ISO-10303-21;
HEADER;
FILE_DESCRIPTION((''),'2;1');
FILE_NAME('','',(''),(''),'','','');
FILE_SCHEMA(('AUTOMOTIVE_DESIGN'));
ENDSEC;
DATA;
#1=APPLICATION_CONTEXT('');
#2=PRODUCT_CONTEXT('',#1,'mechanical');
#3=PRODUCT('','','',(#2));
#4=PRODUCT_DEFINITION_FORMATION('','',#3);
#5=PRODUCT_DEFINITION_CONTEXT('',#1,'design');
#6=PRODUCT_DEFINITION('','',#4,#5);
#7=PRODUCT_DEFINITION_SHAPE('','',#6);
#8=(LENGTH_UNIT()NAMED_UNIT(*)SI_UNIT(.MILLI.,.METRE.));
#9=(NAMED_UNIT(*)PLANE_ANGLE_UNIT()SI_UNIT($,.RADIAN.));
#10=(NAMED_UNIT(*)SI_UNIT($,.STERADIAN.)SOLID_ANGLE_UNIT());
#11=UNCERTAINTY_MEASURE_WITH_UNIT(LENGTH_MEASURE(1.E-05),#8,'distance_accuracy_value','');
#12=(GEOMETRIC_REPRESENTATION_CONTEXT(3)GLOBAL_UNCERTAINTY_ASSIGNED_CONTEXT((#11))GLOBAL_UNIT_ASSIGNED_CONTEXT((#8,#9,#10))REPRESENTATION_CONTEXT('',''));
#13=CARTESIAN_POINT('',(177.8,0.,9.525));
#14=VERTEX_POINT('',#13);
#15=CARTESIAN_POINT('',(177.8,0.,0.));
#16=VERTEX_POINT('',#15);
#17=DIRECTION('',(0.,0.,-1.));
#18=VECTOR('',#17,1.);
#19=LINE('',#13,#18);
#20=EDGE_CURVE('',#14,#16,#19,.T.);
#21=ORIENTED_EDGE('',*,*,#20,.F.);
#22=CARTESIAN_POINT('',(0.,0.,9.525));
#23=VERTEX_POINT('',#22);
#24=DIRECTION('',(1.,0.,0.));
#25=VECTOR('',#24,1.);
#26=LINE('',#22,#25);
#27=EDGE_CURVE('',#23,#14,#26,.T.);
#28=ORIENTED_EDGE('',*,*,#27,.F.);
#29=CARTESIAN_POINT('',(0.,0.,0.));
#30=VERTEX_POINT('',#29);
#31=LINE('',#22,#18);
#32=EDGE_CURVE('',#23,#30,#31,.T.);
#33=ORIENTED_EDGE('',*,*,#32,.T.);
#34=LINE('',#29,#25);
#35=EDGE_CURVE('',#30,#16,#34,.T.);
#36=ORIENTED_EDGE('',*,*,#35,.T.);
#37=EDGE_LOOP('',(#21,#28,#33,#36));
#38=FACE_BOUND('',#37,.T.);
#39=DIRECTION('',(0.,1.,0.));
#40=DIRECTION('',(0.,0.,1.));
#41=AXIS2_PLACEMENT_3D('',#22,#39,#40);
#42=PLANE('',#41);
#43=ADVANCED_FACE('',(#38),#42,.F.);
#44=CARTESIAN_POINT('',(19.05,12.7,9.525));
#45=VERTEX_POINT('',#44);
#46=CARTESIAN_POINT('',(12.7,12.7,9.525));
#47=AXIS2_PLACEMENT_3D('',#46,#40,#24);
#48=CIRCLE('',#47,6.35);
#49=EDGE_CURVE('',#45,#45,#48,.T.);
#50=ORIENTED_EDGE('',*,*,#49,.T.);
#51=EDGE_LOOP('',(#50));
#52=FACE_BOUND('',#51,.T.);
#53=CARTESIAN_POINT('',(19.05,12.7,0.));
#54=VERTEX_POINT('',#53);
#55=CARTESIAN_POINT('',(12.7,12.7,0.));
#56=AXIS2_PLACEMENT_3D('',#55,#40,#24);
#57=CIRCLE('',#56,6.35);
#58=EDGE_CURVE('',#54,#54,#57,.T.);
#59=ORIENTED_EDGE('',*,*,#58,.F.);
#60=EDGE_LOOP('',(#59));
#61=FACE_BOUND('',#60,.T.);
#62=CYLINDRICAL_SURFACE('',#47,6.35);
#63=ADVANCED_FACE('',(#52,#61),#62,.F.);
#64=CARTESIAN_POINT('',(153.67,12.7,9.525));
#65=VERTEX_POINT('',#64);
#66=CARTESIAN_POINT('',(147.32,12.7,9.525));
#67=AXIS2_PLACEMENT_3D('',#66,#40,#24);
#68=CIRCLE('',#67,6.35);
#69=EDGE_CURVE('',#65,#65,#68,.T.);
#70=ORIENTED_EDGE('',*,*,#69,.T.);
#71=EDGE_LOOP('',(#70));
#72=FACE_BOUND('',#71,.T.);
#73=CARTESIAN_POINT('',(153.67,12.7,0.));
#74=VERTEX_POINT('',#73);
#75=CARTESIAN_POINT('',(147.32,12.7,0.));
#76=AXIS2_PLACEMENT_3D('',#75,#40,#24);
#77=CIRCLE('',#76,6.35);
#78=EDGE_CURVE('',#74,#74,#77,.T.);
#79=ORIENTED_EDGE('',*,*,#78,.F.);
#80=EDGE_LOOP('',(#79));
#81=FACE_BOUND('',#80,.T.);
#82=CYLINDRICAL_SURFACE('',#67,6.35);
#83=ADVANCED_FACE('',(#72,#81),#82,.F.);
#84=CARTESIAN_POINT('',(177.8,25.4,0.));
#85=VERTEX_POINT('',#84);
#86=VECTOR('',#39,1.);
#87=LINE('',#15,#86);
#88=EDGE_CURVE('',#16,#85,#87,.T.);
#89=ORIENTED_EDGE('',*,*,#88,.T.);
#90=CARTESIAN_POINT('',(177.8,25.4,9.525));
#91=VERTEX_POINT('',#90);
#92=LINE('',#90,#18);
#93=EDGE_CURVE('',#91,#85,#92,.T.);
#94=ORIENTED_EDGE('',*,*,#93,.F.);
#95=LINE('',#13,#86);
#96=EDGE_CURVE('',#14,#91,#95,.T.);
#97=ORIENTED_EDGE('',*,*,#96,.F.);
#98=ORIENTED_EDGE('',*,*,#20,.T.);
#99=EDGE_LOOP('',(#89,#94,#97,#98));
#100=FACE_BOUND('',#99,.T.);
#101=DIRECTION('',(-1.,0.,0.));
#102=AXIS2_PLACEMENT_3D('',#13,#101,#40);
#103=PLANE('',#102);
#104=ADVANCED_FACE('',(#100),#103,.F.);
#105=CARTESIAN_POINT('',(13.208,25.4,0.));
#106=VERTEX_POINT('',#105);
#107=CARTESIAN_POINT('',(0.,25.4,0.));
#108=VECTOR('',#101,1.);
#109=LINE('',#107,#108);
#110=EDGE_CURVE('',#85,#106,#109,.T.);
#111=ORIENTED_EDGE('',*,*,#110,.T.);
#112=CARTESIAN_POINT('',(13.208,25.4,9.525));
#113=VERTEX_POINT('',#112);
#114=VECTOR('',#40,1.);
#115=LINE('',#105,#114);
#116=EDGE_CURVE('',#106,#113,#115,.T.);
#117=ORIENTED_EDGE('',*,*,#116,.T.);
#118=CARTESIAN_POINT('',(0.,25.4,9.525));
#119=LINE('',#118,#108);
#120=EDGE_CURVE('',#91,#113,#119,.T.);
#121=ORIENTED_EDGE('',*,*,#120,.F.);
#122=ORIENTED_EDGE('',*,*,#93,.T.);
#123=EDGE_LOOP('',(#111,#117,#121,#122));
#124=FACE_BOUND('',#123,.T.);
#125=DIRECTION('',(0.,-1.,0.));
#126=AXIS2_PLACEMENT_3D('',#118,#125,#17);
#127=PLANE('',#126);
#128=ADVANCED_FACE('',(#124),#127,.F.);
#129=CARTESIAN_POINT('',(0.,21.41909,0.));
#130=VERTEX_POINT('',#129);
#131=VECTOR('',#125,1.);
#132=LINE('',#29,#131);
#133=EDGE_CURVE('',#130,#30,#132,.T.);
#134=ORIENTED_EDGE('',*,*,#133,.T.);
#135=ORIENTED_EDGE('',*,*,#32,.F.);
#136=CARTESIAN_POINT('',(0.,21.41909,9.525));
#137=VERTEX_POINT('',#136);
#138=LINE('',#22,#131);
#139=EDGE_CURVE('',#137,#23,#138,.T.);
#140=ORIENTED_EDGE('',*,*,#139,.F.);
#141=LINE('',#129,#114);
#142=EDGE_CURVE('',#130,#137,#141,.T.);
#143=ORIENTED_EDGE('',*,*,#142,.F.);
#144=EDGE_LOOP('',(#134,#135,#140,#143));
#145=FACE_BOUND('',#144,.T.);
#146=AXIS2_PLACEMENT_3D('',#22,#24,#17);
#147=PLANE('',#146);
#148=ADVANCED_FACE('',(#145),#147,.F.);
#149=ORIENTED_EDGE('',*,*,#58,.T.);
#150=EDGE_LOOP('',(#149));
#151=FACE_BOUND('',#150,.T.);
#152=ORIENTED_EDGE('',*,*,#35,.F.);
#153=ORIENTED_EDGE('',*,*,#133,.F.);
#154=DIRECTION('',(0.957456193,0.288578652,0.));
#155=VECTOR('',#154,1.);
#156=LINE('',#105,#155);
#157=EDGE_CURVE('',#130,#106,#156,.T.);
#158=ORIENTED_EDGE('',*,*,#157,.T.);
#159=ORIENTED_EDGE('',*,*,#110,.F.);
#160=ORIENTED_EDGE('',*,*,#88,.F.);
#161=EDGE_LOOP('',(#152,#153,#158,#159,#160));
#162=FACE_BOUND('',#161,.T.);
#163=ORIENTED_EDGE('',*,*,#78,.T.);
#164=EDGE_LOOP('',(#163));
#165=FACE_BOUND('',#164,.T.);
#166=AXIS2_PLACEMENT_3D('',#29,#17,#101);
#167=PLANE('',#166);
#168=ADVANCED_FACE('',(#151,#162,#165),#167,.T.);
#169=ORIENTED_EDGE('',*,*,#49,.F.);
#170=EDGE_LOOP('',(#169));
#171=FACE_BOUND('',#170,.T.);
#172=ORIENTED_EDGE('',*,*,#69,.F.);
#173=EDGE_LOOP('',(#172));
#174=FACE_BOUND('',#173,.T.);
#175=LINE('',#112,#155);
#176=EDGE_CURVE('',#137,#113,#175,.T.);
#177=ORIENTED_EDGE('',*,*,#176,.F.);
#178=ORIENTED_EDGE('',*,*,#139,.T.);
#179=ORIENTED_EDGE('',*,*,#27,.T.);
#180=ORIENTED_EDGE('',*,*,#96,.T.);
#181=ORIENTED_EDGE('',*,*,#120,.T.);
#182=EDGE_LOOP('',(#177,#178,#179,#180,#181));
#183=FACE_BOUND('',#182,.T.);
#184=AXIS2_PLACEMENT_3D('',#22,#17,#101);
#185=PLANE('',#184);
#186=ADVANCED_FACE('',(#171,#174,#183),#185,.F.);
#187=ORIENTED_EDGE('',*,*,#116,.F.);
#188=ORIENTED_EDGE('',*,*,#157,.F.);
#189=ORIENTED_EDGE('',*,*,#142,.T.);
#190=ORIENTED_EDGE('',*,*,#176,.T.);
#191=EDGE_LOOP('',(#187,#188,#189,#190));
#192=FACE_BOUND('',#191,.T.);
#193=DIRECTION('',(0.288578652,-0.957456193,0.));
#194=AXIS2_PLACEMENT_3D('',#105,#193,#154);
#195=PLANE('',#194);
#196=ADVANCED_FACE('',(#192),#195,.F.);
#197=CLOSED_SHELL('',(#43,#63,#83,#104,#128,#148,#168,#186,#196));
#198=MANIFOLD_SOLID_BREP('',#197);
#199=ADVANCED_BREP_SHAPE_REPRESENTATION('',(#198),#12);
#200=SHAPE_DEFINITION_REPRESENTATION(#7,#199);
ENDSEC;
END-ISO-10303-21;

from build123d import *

# Parameters (mm, degrees)
SKETCH1_W                  = 177.8
SKETCH1_H                  = 25.4
BOSS_EXTRUDE1_DEPTH        = 9.525
F_1_2_0_5_DIAMETER_HOLE1_D = 12.7
CUT_EXTRUDE1_DEPTH         = 180.857514786


with BuildPart() as part:
    # Sketch1 → Boss-Extrude1 (new body)
    with BuildSketch(Plane.XY):
        with Locations((88.9, 12.7)):
            Rectangle(SKETCH1_W, SKETCH1_H)
    extrude(amount=BOSS_EXTRUDE1_DEPTH)

    # 1/2 (0.5) Diameter Hole1 (through all)
    with Locations(Plane.XY.offset(9.525)):
        with Locations((12.7, 12.7), (147.32, 12.7)):
            Hole(F_1_2_0_5_DIAMETER_HOLE1_D / 2)

    # Sketch5 → Cut-Extrude1 (cut, through all)
    with BuildSketch(Plane.XY.offset(9.525)):
        Polygon((13.208, 25.4), (0, 21.419090106), (0, 25.4), align=None)
    extrude(amount=-CUT_EXTRUDE1_DEPTH, mode=Mode.SUBTRACT)


solid = part.part
